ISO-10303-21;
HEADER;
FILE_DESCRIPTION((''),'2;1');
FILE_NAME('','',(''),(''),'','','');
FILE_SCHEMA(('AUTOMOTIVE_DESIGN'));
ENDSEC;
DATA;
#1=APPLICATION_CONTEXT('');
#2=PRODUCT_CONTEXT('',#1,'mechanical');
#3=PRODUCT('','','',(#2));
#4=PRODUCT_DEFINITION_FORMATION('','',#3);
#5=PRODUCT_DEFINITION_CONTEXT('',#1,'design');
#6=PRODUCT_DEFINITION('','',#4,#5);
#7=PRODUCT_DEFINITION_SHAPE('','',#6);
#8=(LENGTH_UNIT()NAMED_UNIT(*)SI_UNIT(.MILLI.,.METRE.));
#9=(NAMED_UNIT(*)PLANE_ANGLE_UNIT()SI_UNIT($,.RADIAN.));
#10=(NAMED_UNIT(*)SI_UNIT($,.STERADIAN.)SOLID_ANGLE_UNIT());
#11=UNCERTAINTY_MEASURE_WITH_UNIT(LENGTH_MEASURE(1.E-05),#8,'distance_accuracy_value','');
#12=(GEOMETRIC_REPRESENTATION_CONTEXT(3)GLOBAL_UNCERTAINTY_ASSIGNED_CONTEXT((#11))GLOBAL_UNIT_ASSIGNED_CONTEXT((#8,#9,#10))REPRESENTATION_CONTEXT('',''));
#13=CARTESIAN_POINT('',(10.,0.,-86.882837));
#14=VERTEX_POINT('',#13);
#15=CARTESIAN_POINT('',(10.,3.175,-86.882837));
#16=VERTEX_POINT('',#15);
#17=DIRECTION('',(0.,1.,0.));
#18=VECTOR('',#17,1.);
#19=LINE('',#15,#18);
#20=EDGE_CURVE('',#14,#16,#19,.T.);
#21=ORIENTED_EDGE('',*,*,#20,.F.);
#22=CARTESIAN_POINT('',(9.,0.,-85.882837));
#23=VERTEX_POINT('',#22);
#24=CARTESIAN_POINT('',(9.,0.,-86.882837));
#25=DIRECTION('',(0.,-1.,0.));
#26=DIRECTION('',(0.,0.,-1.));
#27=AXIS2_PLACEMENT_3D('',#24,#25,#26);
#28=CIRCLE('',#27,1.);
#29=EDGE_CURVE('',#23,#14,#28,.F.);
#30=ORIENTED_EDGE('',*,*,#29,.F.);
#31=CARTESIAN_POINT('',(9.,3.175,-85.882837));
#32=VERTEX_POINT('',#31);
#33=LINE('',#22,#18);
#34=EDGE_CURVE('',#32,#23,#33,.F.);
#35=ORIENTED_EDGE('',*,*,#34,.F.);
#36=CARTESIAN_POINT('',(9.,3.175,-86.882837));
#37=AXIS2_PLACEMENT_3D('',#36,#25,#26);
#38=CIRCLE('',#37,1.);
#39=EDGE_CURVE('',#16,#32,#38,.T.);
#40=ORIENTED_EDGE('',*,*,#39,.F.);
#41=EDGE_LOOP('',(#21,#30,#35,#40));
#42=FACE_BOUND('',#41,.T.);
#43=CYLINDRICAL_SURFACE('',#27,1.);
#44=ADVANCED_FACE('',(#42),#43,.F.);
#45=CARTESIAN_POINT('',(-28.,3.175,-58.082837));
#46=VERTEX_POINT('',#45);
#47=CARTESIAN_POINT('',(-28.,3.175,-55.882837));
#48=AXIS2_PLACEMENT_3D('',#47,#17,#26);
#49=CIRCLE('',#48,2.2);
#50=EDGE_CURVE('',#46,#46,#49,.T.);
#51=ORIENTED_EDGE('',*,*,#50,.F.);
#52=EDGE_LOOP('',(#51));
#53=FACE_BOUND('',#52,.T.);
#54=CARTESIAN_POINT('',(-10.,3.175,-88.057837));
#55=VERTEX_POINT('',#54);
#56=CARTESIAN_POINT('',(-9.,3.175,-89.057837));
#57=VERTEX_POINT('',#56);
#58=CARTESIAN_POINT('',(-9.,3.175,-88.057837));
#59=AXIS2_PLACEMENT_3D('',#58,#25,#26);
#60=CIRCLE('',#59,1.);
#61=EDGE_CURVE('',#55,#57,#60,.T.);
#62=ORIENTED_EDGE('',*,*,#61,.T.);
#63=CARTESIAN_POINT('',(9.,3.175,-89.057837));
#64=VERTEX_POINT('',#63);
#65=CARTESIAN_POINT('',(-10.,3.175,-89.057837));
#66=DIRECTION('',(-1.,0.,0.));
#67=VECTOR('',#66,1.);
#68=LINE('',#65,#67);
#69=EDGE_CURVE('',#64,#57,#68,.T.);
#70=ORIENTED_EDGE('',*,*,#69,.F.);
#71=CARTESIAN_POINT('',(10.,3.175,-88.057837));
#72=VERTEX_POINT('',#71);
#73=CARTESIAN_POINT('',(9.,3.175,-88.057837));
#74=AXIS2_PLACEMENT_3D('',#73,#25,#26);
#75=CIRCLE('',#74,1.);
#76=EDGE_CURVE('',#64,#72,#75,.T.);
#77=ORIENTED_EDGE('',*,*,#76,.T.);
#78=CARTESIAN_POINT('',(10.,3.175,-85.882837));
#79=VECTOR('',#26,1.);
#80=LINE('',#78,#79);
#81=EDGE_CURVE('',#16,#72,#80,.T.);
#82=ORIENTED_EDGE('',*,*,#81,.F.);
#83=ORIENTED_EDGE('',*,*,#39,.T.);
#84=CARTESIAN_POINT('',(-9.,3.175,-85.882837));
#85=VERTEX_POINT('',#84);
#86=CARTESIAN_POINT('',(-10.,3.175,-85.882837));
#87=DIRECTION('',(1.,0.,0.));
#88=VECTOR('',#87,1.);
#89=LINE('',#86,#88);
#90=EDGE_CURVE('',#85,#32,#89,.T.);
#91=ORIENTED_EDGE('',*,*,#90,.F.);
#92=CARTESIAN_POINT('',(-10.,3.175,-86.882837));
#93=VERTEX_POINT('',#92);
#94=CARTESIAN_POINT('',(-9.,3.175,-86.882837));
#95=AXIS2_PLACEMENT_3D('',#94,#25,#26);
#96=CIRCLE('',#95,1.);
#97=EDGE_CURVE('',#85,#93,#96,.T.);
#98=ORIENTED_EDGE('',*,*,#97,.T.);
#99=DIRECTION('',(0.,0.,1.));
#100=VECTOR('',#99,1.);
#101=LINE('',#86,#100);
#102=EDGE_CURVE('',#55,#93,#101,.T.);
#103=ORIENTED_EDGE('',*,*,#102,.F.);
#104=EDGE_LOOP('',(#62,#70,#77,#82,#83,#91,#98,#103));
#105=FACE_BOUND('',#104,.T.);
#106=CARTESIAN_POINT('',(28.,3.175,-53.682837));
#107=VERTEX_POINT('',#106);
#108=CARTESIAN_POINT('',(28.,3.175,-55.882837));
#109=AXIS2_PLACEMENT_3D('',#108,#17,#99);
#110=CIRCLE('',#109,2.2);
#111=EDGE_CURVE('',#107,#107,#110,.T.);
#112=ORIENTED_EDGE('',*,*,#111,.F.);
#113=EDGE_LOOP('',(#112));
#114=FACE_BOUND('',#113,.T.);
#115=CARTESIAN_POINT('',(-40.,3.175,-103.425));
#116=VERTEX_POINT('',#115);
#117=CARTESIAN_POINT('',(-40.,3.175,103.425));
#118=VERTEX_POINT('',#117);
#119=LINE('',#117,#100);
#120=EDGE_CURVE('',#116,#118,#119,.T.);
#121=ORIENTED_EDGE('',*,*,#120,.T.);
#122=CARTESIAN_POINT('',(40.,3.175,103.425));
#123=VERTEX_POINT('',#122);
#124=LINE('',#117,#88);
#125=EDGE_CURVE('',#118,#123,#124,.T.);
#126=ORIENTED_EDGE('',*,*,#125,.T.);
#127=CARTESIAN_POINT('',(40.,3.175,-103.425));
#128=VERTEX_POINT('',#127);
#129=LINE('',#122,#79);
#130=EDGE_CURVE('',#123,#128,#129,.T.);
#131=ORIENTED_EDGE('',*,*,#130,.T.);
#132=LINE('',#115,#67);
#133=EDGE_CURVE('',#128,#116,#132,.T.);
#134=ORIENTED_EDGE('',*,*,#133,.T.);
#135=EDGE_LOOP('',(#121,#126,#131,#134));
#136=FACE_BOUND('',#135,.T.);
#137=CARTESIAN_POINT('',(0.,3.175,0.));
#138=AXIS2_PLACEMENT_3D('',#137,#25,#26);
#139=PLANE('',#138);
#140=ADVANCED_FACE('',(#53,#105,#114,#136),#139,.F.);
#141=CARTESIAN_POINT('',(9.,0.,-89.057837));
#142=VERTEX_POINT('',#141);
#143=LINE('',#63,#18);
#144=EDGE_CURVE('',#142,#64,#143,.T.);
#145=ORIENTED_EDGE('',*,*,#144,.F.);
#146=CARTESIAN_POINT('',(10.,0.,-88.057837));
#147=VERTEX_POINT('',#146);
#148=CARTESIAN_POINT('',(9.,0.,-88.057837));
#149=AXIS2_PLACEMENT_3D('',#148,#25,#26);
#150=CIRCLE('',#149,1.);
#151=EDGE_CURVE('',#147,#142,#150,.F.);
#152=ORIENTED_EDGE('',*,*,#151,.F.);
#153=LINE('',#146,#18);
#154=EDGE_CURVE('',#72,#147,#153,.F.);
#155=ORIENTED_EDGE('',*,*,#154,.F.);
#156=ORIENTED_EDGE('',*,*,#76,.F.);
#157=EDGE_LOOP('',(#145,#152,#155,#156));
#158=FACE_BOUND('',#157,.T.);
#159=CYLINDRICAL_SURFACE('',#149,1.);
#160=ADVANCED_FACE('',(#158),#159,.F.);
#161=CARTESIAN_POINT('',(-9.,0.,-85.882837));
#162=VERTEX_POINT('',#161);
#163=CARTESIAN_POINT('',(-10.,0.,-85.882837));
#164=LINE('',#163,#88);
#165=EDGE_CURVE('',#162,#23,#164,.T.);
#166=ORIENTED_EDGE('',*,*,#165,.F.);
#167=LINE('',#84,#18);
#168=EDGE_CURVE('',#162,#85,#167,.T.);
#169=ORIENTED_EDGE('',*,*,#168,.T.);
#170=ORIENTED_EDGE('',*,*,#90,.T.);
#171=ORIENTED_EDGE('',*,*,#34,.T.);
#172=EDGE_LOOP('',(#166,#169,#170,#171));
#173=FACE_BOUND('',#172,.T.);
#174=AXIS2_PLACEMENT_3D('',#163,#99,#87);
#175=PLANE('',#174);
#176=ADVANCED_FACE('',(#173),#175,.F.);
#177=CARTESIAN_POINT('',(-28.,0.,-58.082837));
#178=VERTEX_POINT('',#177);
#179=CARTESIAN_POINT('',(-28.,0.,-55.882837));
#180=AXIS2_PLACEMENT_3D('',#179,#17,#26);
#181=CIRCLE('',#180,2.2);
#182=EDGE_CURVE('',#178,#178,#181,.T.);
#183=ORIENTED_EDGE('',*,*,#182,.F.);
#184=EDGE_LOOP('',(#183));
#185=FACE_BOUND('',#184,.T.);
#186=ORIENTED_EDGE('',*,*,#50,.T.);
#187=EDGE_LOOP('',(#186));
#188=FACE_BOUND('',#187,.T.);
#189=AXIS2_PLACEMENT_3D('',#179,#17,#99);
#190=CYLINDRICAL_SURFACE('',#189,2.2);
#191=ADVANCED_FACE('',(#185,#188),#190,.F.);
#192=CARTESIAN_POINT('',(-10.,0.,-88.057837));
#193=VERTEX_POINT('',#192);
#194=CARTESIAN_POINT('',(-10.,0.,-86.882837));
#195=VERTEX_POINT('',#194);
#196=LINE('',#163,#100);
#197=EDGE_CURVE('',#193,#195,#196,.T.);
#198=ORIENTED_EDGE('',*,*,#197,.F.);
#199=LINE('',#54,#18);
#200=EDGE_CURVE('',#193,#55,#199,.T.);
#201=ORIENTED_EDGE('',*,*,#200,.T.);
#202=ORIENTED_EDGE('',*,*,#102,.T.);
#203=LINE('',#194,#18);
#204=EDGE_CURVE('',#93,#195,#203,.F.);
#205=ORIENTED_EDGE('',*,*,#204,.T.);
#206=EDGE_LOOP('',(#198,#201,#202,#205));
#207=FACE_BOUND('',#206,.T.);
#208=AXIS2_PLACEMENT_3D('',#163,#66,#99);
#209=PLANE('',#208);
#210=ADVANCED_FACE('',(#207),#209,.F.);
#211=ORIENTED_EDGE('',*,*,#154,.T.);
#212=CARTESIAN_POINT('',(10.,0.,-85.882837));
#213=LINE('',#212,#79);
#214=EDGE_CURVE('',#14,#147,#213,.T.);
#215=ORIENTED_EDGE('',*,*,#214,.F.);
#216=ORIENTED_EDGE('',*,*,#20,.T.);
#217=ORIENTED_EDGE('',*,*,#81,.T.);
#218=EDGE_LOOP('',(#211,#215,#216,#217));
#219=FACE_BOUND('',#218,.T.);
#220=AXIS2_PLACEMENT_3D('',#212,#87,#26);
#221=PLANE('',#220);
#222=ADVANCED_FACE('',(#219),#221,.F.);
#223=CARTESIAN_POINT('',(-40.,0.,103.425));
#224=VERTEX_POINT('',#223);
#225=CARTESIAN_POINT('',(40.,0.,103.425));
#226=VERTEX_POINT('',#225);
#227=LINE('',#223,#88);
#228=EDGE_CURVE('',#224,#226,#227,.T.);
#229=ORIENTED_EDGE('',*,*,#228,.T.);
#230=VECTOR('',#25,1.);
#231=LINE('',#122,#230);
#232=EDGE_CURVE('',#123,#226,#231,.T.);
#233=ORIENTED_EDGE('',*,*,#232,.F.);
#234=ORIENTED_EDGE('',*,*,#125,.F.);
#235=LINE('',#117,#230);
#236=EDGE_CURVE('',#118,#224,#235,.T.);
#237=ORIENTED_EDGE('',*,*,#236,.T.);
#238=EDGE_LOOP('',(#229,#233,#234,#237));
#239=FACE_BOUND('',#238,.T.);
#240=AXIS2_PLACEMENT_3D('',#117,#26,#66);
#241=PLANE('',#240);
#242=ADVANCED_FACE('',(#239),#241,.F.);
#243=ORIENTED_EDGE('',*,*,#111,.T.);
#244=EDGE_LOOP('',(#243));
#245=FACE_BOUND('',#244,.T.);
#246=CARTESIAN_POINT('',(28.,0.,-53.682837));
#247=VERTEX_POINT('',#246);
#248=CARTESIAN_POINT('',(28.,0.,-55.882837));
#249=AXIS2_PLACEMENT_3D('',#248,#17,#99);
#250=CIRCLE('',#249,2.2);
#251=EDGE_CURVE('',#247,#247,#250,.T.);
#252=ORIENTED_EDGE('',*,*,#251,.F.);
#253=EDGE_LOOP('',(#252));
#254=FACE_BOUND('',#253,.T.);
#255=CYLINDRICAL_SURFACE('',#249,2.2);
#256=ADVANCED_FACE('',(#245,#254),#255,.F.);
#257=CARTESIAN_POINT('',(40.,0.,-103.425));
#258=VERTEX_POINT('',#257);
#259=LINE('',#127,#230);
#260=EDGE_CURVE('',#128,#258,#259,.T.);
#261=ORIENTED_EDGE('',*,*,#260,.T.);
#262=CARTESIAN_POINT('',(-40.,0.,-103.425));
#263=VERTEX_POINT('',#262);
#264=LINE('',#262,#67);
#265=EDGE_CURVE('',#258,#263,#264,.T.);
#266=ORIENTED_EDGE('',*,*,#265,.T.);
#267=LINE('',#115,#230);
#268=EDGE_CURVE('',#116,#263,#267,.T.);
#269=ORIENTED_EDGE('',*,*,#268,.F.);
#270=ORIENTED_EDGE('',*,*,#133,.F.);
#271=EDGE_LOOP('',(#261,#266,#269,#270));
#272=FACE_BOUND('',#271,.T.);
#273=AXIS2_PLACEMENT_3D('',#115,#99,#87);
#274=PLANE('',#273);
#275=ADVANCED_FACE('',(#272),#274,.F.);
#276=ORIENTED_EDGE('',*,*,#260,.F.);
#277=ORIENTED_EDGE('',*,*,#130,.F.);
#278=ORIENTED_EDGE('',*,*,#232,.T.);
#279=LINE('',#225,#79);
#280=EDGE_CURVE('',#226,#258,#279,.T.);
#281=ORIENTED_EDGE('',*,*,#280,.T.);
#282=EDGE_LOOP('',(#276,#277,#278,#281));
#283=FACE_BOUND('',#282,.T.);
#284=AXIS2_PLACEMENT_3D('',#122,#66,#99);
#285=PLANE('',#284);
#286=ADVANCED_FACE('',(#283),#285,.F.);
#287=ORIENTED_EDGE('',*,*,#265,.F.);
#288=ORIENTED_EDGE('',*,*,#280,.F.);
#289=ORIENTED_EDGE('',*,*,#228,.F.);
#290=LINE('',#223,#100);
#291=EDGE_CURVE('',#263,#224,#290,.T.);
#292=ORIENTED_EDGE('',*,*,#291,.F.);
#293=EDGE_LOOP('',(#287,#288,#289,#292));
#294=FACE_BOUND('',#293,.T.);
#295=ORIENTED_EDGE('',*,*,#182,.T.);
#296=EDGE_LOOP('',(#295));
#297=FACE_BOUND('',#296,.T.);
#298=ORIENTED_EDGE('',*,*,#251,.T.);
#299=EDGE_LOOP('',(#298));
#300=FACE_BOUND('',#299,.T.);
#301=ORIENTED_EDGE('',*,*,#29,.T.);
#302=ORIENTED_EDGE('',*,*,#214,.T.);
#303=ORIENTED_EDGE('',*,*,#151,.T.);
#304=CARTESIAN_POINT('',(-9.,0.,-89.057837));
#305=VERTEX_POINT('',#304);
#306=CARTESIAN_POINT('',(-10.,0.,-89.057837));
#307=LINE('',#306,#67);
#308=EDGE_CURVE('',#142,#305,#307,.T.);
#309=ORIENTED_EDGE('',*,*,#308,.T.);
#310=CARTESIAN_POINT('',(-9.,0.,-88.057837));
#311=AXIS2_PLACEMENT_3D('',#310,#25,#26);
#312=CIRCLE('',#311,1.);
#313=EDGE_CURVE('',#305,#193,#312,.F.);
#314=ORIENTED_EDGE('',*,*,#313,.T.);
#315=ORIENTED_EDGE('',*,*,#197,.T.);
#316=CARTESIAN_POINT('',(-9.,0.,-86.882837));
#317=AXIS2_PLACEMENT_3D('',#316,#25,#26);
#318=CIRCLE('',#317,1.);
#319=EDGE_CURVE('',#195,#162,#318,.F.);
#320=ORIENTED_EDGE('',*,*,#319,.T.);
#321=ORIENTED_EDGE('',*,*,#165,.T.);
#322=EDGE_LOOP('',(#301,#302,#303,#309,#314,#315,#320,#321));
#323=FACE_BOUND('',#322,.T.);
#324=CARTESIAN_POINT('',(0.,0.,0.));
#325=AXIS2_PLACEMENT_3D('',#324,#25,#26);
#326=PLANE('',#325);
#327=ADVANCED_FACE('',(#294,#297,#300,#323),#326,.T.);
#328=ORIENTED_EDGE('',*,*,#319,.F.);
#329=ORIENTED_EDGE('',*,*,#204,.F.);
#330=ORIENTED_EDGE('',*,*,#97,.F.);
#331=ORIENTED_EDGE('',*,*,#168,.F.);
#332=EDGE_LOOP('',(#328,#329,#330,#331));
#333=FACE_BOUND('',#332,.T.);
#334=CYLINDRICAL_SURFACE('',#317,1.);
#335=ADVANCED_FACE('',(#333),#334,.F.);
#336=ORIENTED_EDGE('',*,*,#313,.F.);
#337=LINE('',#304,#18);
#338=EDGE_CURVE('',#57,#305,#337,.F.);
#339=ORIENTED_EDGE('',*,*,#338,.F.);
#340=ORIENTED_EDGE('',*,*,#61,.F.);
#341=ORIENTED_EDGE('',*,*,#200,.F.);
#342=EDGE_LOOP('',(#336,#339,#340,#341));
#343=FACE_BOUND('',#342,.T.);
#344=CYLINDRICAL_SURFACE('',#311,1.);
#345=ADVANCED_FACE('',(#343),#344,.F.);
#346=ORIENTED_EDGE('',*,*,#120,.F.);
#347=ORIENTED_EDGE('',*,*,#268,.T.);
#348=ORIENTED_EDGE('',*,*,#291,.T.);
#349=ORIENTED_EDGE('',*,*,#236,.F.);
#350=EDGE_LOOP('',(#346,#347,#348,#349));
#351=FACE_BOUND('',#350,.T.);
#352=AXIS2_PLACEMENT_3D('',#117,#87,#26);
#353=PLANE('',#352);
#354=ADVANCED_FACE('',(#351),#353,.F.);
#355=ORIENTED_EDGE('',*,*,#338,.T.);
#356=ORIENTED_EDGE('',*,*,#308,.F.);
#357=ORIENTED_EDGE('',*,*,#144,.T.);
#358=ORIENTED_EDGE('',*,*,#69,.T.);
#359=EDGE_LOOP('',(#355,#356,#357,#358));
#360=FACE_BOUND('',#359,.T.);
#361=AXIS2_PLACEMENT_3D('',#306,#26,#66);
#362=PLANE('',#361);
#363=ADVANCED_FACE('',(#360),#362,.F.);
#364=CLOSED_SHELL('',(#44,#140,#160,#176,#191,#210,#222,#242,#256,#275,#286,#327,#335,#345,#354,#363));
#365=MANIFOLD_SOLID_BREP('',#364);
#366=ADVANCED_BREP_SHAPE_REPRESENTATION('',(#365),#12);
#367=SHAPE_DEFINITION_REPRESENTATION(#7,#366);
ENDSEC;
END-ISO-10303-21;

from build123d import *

# Parameters (mm, degrees)
SKETCH2_W           = 80
SKETCH2_H           = 206.85
BOSS_EXTRUDE1_DEPTH = 3.175
SKETCH3_R           = 2.2
SKETCH3_W           = 20
SKETCH3_H           = 3.175
CUT_EXTRUDE1_DEPTH  = 4.175
FILLET1_R           = 1


with BuildPart() as part:
    # Sketch2 → Boss-Extrude1 (new body)
    with BuildSketch(Plane(origin=(0, 0, 0), x_dir=(1, 0, 0), z_dir=(0, 1, 0))):
        Rectangle(SKETCH2_W, SKETCH2_H)
    extrude(amount=BOSS_EXTRUDE1_DEPTH)

    # Sketch3 → Cut-Extrude1 (cut, through all)
    with BuildSketch(Plane(origin=(0, 3.175, 0), x_dir=(1, 0, 0), z_dir=(0, 1, 0))):
        with Locations((28, 55.882836501)):
            Circle(SKETCH3_R)
        with Locations((-28, 55.882836501)):
            Circle(SKETCH3_R)
        with Locations((0, 87.470336501)):
            Rectangle(SKETCH3_W, SKETCH3_H)
    extrude(amount=-CUT_EXTRUDE1_DEPTH, mode=Mode.SUBTRACT)

    # Fillet1
    fillet1_edges = [part.edges().sort_by_distance(p)[0] for p in [
        (10, 1.5875, -89.057836501),
        (10, 1.5875, -85.882836501),
        (-10, 1.5875, -85.882836501),
        (-10, 1.5875, -89.057836501),
    ]]
    fillet(fillet1_edges, radius=FILLET1_R)


solid = part.part
